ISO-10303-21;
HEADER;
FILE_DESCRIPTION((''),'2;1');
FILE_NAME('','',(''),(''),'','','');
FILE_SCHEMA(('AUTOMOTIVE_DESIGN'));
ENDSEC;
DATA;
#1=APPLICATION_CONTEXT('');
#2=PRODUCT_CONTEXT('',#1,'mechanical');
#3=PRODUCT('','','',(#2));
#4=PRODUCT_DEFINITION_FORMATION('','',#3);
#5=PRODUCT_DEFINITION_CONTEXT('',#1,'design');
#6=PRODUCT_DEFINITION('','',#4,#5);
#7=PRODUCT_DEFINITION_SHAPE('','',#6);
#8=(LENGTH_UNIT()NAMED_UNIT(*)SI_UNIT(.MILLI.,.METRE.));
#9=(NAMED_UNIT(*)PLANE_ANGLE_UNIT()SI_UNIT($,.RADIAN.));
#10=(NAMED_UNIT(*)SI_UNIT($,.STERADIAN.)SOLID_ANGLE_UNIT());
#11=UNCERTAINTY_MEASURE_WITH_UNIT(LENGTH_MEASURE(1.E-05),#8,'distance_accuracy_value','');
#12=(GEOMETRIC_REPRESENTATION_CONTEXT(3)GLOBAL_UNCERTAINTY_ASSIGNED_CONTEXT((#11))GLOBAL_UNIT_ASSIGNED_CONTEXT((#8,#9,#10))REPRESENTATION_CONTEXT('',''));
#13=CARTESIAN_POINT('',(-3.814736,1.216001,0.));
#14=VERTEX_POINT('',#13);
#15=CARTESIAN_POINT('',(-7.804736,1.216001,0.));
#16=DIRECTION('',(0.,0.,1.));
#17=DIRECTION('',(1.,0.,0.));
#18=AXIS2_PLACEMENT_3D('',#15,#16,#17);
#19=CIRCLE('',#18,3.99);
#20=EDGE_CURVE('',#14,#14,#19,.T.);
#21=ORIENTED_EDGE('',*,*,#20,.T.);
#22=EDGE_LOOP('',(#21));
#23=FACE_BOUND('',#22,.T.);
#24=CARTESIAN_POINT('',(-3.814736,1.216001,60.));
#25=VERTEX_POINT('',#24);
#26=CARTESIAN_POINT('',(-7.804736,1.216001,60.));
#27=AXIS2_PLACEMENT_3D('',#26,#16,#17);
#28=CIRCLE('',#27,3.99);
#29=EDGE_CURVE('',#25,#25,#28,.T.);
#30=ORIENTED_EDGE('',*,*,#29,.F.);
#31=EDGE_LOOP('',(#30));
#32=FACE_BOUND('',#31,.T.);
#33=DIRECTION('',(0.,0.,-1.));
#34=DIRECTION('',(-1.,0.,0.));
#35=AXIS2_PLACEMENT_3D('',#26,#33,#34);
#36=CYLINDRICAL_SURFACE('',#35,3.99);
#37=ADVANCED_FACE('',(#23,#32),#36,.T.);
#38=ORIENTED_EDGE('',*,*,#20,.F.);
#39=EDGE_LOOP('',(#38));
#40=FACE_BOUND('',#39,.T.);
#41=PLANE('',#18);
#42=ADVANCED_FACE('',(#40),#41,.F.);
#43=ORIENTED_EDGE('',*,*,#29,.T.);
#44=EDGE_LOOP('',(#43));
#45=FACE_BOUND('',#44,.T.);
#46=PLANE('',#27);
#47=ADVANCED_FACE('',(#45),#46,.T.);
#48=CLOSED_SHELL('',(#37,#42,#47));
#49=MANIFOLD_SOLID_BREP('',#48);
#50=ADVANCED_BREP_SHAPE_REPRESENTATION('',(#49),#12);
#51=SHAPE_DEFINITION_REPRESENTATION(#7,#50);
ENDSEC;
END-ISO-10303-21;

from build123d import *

# Parameters (mm, degrees)
SKETCH1_R           = 3.99
BOSS_EXTRUDE1_DEPTH = 60


with BuildPart() as part:
    # Sketch1 → Boss-Extrude1 (new body)
    with BuildSketch(Plane.XY):
        with Locations((-7.804735568, 1.216001185)):
            Circle(SKETCH1_R)
    extrude(amount=BOSS_EXTRUDE1_DEPTH)


solid = part.part
